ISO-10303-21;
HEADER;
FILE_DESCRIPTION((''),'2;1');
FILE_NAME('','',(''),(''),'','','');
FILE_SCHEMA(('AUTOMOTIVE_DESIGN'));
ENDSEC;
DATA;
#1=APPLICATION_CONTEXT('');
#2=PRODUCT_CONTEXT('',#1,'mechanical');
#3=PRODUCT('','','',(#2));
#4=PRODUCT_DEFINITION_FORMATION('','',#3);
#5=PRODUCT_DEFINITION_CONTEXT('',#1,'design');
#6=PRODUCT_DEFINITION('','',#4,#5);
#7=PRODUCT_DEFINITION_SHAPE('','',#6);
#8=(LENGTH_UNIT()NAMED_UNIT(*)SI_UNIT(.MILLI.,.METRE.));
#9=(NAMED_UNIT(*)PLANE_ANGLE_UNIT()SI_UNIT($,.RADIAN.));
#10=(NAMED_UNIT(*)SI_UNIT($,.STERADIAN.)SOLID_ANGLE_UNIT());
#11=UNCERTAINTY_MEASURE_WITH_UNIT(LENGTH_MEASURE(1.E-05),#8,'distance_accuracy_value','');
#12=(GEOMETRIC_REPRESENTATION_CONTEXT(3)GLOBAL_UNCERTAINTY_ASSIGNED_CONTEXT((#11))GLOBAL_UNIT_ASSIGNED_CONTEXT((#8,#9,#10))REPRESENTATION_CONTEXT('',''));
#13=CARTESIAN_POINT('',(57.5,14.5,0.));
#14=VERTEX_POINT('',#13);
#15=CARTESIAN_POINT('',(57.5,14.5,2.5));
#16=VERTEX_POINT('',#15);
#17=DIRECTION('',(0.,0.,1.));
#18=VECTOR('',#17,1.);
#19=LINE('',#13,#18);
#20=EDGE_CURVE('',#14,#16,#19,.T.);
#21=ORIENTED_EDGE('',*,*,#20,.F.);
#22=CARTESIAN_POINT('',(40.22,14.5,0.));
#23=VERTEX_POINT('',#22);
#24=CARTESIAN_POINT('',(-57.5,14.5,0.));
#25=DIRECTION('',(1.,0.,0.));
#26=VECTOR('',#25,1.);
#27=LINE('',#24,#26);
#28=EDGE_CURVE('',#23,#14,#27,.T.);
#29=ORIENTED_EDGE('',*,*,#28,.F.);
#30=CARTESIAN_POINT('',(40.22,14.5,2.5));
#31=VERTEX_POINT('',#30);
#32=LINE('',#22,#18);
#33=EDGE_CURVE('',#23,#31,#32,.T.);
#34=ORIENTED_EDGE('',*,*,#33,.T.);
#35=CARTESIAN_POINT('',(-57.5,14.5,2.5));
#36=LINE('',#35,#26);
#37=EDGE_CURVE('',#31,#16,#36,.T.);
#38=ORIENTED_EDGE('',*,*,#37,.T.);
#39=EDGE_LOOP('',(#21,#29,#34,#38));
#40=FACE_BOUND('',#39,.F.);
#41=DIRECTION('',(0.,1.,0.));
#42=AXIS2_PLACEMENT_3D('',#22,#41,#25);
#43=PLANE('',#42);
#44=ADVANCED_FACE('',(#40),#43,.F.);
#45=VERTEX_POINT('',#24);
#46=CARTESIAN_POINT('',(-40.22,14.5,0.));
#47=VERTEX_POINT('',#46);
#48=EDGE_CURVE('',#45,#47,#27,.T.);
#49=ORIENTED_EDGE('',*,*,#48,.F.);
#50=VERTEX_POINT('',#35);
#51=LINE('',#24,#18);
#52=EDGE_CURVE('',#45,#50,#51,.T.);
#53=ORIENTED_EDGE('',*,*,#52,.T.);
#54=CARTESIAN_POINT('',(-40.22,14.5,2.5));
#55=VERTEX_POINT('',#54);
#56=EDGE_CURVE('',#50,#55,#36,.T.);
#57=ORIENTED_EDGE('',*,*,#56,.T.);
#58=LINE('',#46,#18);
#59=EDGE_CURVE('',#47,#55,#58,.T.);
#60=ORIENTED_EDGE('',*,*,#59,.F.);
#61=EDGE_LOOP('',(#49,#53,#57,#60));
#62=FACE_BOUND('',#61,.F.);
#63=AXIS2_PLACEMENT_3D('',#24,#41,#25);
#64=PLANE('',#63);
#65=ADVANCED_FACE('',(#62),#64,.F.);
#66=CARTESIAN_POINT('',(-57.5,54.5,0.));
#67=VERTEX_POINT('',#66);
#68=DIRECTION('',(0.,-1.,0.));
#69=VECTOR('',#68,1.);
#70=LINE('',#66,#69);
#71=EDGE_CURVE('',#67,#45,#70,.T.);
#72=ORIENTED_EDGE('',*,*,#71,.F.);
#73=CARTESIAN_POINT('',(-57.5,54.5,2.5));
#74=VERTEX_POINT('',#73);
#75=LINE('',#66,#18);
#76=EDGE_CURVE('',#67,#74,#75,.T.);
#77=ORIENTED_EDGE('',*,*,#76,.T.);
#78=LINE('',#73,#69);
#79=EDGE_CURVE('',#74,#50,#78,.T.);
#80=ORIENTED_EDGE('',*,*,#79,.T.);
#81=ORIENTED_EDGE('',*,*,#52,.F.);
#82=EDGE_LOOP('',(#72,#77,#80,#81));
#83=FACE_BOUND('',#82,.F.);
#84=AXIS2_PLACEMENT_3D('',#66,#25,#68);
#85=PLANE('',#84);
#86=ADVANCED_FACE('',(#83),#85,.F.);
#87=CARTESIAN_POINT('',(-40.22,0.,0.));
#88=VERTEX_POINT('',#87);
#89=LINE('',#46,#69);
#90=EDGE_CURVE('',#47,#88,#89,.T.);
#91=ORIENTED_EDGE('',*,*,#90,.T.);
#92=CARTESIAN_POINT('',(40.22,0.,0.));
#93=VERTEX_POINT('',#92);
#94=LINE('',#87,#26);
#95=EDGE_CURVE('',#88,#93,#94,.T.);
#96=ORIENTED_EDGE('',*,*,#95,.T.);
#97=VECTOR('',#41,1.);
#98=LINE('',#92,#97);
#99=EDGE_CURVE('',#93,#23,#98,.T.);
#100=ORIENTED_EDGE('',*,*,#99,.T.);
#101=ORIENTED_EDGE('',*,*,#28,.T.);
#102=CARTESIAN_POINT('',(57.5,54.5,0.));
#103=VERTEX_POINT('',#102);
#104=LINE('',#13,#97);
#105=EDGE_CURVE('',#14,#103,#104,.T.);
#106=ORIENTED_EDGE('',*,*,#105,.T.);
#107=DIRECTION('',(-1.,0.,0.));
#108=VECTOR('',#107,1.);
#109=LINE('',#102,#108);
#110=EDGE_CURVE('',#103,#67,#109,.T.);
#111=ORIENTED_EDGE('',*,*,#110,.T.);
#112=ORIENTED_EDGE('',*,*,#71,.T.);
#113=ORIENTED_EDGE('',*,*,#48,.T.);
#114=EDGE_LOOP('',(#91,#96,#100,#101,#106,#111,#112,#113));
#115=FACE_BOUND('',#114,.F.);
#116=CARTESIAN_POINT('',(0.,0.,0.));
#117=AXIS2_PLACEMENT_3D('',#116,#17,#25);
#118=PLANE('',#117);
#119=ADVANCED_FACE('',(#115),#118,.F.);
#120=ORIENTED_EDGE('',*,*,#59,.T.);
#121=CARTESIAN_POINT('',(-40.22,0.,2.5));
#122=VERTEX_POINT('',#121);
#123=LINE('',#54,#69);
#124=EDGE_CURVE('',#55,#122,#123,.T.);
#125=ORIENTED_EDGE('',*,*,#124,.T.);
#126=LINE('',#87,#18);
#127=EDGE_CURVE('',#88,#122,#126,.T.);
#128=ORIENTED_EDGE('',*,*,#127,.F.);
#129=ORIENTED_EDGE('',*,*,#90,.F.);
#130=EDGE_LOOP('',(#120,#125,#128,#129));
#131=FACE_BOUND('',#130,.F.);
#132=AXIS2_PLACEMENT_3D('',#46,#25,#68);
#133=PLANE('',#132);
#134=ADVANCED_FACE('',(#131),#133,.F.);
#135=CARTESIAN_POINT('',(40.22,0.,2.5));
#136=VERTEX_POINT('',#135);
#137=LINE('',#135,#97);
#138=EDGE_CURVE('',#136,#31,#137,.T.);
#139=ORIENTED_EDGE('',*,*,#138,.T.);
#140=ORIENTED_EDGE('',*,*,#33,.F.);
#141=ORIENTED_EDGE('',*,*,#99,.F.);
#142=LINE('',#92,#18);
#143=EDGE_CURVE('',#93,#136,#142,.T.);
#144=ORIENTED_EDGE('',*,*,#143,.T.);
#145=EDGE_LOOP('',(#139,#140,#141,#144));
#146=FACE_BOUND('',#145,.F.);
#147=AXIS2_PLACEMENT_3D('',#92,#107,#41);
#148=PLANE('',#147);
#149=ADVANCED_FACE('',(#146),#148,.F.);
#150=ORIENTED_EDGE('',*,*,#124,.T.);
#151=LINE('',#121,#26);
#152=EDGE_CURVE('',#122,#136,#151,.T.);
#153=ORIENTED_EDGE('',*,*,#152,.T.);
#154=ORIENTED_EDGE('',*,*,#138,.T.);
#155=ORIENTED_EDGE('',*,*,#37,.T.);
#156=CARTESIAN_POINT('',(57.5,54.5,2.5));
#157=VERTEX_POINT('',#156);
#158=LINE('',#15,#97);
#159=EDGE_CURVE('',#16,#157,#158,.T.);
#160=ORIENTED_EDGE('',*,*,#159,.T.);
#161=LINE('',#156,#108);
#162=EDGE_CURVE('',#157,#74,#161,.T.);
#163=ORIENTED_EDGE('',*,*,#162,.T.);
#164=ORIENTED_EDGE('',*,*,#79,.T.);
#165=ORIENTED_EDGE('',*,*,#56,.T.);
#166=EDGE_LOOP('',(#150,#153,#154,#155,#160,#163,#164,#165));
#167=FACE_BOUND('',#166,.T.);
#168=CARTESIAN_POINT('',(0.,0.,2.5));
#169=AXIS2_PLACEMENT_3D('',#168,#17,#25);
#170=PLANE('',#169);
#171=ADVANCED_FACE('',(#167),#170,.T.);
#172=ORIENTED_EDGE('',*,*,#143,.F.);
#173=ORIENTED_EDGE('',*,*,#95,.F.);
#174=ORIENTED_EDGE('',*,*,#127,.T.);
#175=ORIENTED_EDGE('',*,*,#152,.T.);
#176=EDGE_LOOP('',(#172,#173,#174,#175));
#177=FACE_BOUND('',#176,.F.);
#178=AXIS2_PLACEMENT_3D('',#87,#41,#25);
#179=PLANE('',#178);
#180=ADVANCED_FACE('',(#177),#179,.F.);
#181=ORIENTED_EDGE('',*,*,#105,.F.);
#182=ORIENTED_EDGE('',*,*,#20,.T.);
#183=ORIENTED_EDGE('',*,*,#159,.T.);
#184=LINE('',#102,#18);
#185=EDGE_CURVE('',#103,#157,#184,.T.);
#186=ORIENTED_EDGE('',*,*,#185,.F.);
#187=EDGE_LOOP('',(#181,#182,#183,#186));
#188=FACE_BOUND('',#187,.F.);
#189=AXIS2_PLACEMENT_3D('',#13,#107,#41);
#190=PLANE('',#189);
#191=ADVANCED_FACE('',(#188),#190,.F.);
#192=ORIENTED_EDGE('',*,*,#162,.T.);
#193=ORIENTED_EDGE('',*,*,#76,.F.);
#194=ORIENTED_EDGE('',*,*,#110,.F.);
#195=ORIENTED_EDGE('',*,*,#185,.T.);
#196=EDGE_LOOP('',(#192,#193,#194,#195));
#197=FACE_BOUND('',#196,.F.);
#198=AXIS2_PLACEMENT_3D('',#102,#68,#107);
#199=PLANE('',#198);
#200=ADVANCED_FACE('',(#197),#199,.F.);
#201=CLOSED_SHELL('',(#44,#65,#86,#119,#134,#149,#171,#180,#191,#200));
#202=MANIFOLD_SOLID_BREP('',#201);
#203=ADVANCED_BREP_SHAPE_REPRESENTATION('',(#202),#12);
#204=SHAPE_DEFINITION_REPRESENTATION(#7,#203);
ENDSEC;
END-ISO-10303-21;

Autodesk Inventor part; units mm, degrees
ref_plane "YZ Plane" through (0, 0, 0) normal (1, 0, 0) x (0, 1, 0)
ref_plane "XZ Plane" through (0, 0, 0) normal (0, 1, 0) x (-1, 0, 0)
ref_plane "XY Plane" through (0, 0, 0) normal (0, 0, 1) x (1, 0, 0)
sketch "スケッチ1" plane through (0, 0, 0) normal (0, 0, 1) x (1, 0, 0)
  line L0 (-40.22, 0) -> (40.22, 0)
  line L1 (40.22, 0) -> (40.22, 14.5)
  line L2 (40.22, 14.5) -> (-40.22, 14.5)
  line L3 (-40.22, 14.5) -> (-40.22, 0)
  line L4 (-57.5, 14.5) -> (57.5, 14.5)
  line L5 (57.5, 14.5) -> (57.5, 54.5)
  line L6 (57.5, 54.5) -> (-57.5, 54.5)
  line L7 (-57.5, 54.5) -> (-57.5, 14.5)
  point P0 (0, 0)
  point P1 (0, 0)
  point P2 (0, 14.5)
  dimension "d0" = 80.44
  dimension "d1" = 14.5
  dimension "d2" = 115
  dimension "d3" = 40
extrude "押し出し1" add sketch "スケッチ1" along normal blind 2.5
properties part number "wall" material "木材 (カエデ材)"
